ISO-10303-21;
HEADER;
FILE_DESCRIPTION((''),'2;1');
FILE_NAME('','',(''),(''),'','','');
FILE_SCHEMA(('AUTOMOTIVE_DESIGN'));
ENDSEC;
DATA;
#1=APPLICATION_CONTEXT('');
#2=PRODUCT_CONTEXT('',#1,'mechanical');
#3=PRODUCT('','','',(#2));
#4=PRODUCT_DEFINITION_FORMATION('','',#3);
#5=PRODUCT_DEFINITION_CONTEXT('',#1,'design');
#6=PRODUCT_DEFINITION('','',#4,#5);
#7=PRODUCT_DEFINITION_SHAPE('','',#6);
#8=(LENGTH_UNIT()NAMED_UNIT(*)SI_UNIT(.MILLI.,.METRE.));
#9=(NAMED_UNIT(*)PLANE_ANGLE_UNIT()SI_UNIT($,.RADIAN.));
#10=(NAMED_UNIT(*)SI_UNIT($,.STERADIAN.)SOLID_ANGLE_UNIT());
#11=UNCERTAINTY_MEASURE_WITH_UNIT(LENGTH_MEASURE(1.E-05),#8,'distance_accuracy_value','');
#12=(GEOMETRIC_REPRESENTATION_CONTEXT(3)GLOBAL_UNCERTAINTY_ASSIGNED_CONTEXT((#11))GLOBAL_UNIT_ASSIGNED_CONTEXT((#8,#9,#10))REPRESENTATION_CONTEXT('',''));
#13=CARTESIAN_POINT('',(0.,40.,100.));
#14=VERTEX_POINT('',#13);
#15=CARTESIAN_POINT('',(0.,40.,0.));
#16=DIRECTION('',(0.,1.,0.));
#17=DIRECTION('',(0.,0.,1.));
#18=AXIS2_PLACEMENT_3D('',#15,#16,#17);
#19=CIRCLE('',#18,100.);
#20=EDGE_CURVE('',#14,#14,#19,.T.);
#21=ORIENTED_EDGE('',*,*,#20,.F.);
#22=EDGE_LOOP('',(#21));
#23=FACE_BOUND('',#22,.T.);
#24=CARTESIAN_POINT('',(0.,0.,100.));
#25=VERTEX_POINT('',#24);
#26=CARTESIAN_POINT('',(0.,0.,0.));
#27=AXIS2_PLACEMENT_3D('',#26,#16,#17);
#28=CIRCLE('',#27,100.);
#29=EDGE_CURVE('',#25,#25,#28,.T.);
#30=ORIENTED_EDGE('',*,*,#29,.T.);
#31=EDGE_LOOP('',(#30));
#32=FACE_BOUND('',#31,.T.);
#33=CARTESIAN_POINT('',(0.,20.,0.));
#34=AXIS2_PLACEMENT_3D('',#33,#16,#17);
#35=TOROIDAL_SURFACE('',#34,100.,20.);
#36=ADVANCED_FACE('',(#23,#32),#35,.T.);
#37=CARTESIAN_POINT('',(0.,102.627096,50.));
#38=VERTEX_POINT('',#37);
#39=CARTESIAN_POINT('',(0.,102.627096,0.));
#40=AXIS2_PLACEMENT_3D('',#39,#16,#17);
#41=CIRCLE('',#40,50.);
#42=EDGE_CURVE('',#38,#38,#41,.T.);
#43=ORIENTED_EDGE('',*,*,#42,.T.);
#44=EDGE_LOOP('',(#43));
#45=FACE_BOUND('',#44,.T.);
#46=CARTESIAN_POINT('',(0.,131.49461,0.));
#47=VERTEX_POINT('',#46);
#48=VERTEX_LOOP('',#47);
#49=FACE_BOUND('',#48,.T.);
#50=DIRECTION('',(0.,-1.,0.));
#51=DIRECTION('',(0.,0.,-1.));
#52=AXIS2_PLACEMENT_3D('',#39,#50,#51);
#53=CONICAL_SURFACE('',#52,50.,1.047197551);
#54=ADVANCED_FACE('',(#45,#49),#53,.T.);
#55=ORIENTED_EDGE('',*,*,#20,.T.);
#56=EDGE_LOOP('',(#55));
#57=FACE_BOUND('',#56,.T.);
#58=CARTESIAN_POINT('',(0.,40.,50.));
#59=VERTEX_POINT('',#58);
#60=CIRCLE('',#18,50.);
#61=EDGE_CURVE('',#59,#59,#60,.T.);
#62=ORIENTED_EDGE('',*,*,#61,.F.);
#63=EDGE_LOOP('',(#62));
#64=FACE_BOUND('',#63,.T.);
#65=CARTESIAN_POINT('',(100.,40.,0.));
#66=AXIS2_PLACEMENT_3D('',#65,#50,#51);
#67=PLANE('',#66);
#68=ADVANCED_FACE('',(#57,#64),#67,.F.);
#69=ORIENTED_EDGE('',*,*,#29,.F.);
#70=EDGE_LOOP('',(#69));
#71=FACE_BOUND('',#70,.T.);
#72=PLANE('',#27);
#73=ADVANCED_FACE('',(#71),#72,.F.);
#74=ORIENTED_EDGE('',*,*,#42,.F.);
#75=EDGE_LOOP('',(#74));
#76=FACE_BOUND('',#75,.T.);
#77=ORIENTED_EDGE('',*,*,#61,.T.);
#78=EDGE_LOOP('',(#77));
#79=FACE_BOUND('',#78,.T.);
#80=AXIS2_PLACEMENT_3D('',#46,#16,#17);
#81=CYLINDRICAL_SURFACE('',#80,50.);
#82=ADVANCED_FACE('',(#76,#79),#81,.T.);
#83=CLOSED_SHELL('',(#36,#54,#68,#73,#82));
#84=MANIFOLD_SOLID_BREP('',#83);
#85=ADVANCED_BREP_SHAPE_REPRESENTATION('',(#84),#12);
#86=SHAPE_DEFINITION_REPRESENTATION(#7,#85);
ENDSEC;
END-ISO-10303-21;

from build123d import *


with BuildPart() as part:
    # Sketch1 → Revolve8 (revolve)
    with BuildSketch(Plane.XY, mode=Mode.PRIVATE) as revolve8_sk:
        with BuildLine():
            Line((0, 0), (100, 0))
            ThreePointArc((100, 0), (120, 20), (100, 40))
            Line((100, 40), (50, 40))
            Line((50, 40), (50, 102.627096316))
            Line((50, 102.627096316), (0, 131.494609776))
            Line((0, 131.494609776), (0, 0))
        make_face()
    revolve(revolve8_sk.sketch.rotate(Axis((0, 131.494609776, 0), (0, -1, 0)), 90), axis=Axis((0, 131.494609776, 0), (0, -1, 0)))


solid = part.part
